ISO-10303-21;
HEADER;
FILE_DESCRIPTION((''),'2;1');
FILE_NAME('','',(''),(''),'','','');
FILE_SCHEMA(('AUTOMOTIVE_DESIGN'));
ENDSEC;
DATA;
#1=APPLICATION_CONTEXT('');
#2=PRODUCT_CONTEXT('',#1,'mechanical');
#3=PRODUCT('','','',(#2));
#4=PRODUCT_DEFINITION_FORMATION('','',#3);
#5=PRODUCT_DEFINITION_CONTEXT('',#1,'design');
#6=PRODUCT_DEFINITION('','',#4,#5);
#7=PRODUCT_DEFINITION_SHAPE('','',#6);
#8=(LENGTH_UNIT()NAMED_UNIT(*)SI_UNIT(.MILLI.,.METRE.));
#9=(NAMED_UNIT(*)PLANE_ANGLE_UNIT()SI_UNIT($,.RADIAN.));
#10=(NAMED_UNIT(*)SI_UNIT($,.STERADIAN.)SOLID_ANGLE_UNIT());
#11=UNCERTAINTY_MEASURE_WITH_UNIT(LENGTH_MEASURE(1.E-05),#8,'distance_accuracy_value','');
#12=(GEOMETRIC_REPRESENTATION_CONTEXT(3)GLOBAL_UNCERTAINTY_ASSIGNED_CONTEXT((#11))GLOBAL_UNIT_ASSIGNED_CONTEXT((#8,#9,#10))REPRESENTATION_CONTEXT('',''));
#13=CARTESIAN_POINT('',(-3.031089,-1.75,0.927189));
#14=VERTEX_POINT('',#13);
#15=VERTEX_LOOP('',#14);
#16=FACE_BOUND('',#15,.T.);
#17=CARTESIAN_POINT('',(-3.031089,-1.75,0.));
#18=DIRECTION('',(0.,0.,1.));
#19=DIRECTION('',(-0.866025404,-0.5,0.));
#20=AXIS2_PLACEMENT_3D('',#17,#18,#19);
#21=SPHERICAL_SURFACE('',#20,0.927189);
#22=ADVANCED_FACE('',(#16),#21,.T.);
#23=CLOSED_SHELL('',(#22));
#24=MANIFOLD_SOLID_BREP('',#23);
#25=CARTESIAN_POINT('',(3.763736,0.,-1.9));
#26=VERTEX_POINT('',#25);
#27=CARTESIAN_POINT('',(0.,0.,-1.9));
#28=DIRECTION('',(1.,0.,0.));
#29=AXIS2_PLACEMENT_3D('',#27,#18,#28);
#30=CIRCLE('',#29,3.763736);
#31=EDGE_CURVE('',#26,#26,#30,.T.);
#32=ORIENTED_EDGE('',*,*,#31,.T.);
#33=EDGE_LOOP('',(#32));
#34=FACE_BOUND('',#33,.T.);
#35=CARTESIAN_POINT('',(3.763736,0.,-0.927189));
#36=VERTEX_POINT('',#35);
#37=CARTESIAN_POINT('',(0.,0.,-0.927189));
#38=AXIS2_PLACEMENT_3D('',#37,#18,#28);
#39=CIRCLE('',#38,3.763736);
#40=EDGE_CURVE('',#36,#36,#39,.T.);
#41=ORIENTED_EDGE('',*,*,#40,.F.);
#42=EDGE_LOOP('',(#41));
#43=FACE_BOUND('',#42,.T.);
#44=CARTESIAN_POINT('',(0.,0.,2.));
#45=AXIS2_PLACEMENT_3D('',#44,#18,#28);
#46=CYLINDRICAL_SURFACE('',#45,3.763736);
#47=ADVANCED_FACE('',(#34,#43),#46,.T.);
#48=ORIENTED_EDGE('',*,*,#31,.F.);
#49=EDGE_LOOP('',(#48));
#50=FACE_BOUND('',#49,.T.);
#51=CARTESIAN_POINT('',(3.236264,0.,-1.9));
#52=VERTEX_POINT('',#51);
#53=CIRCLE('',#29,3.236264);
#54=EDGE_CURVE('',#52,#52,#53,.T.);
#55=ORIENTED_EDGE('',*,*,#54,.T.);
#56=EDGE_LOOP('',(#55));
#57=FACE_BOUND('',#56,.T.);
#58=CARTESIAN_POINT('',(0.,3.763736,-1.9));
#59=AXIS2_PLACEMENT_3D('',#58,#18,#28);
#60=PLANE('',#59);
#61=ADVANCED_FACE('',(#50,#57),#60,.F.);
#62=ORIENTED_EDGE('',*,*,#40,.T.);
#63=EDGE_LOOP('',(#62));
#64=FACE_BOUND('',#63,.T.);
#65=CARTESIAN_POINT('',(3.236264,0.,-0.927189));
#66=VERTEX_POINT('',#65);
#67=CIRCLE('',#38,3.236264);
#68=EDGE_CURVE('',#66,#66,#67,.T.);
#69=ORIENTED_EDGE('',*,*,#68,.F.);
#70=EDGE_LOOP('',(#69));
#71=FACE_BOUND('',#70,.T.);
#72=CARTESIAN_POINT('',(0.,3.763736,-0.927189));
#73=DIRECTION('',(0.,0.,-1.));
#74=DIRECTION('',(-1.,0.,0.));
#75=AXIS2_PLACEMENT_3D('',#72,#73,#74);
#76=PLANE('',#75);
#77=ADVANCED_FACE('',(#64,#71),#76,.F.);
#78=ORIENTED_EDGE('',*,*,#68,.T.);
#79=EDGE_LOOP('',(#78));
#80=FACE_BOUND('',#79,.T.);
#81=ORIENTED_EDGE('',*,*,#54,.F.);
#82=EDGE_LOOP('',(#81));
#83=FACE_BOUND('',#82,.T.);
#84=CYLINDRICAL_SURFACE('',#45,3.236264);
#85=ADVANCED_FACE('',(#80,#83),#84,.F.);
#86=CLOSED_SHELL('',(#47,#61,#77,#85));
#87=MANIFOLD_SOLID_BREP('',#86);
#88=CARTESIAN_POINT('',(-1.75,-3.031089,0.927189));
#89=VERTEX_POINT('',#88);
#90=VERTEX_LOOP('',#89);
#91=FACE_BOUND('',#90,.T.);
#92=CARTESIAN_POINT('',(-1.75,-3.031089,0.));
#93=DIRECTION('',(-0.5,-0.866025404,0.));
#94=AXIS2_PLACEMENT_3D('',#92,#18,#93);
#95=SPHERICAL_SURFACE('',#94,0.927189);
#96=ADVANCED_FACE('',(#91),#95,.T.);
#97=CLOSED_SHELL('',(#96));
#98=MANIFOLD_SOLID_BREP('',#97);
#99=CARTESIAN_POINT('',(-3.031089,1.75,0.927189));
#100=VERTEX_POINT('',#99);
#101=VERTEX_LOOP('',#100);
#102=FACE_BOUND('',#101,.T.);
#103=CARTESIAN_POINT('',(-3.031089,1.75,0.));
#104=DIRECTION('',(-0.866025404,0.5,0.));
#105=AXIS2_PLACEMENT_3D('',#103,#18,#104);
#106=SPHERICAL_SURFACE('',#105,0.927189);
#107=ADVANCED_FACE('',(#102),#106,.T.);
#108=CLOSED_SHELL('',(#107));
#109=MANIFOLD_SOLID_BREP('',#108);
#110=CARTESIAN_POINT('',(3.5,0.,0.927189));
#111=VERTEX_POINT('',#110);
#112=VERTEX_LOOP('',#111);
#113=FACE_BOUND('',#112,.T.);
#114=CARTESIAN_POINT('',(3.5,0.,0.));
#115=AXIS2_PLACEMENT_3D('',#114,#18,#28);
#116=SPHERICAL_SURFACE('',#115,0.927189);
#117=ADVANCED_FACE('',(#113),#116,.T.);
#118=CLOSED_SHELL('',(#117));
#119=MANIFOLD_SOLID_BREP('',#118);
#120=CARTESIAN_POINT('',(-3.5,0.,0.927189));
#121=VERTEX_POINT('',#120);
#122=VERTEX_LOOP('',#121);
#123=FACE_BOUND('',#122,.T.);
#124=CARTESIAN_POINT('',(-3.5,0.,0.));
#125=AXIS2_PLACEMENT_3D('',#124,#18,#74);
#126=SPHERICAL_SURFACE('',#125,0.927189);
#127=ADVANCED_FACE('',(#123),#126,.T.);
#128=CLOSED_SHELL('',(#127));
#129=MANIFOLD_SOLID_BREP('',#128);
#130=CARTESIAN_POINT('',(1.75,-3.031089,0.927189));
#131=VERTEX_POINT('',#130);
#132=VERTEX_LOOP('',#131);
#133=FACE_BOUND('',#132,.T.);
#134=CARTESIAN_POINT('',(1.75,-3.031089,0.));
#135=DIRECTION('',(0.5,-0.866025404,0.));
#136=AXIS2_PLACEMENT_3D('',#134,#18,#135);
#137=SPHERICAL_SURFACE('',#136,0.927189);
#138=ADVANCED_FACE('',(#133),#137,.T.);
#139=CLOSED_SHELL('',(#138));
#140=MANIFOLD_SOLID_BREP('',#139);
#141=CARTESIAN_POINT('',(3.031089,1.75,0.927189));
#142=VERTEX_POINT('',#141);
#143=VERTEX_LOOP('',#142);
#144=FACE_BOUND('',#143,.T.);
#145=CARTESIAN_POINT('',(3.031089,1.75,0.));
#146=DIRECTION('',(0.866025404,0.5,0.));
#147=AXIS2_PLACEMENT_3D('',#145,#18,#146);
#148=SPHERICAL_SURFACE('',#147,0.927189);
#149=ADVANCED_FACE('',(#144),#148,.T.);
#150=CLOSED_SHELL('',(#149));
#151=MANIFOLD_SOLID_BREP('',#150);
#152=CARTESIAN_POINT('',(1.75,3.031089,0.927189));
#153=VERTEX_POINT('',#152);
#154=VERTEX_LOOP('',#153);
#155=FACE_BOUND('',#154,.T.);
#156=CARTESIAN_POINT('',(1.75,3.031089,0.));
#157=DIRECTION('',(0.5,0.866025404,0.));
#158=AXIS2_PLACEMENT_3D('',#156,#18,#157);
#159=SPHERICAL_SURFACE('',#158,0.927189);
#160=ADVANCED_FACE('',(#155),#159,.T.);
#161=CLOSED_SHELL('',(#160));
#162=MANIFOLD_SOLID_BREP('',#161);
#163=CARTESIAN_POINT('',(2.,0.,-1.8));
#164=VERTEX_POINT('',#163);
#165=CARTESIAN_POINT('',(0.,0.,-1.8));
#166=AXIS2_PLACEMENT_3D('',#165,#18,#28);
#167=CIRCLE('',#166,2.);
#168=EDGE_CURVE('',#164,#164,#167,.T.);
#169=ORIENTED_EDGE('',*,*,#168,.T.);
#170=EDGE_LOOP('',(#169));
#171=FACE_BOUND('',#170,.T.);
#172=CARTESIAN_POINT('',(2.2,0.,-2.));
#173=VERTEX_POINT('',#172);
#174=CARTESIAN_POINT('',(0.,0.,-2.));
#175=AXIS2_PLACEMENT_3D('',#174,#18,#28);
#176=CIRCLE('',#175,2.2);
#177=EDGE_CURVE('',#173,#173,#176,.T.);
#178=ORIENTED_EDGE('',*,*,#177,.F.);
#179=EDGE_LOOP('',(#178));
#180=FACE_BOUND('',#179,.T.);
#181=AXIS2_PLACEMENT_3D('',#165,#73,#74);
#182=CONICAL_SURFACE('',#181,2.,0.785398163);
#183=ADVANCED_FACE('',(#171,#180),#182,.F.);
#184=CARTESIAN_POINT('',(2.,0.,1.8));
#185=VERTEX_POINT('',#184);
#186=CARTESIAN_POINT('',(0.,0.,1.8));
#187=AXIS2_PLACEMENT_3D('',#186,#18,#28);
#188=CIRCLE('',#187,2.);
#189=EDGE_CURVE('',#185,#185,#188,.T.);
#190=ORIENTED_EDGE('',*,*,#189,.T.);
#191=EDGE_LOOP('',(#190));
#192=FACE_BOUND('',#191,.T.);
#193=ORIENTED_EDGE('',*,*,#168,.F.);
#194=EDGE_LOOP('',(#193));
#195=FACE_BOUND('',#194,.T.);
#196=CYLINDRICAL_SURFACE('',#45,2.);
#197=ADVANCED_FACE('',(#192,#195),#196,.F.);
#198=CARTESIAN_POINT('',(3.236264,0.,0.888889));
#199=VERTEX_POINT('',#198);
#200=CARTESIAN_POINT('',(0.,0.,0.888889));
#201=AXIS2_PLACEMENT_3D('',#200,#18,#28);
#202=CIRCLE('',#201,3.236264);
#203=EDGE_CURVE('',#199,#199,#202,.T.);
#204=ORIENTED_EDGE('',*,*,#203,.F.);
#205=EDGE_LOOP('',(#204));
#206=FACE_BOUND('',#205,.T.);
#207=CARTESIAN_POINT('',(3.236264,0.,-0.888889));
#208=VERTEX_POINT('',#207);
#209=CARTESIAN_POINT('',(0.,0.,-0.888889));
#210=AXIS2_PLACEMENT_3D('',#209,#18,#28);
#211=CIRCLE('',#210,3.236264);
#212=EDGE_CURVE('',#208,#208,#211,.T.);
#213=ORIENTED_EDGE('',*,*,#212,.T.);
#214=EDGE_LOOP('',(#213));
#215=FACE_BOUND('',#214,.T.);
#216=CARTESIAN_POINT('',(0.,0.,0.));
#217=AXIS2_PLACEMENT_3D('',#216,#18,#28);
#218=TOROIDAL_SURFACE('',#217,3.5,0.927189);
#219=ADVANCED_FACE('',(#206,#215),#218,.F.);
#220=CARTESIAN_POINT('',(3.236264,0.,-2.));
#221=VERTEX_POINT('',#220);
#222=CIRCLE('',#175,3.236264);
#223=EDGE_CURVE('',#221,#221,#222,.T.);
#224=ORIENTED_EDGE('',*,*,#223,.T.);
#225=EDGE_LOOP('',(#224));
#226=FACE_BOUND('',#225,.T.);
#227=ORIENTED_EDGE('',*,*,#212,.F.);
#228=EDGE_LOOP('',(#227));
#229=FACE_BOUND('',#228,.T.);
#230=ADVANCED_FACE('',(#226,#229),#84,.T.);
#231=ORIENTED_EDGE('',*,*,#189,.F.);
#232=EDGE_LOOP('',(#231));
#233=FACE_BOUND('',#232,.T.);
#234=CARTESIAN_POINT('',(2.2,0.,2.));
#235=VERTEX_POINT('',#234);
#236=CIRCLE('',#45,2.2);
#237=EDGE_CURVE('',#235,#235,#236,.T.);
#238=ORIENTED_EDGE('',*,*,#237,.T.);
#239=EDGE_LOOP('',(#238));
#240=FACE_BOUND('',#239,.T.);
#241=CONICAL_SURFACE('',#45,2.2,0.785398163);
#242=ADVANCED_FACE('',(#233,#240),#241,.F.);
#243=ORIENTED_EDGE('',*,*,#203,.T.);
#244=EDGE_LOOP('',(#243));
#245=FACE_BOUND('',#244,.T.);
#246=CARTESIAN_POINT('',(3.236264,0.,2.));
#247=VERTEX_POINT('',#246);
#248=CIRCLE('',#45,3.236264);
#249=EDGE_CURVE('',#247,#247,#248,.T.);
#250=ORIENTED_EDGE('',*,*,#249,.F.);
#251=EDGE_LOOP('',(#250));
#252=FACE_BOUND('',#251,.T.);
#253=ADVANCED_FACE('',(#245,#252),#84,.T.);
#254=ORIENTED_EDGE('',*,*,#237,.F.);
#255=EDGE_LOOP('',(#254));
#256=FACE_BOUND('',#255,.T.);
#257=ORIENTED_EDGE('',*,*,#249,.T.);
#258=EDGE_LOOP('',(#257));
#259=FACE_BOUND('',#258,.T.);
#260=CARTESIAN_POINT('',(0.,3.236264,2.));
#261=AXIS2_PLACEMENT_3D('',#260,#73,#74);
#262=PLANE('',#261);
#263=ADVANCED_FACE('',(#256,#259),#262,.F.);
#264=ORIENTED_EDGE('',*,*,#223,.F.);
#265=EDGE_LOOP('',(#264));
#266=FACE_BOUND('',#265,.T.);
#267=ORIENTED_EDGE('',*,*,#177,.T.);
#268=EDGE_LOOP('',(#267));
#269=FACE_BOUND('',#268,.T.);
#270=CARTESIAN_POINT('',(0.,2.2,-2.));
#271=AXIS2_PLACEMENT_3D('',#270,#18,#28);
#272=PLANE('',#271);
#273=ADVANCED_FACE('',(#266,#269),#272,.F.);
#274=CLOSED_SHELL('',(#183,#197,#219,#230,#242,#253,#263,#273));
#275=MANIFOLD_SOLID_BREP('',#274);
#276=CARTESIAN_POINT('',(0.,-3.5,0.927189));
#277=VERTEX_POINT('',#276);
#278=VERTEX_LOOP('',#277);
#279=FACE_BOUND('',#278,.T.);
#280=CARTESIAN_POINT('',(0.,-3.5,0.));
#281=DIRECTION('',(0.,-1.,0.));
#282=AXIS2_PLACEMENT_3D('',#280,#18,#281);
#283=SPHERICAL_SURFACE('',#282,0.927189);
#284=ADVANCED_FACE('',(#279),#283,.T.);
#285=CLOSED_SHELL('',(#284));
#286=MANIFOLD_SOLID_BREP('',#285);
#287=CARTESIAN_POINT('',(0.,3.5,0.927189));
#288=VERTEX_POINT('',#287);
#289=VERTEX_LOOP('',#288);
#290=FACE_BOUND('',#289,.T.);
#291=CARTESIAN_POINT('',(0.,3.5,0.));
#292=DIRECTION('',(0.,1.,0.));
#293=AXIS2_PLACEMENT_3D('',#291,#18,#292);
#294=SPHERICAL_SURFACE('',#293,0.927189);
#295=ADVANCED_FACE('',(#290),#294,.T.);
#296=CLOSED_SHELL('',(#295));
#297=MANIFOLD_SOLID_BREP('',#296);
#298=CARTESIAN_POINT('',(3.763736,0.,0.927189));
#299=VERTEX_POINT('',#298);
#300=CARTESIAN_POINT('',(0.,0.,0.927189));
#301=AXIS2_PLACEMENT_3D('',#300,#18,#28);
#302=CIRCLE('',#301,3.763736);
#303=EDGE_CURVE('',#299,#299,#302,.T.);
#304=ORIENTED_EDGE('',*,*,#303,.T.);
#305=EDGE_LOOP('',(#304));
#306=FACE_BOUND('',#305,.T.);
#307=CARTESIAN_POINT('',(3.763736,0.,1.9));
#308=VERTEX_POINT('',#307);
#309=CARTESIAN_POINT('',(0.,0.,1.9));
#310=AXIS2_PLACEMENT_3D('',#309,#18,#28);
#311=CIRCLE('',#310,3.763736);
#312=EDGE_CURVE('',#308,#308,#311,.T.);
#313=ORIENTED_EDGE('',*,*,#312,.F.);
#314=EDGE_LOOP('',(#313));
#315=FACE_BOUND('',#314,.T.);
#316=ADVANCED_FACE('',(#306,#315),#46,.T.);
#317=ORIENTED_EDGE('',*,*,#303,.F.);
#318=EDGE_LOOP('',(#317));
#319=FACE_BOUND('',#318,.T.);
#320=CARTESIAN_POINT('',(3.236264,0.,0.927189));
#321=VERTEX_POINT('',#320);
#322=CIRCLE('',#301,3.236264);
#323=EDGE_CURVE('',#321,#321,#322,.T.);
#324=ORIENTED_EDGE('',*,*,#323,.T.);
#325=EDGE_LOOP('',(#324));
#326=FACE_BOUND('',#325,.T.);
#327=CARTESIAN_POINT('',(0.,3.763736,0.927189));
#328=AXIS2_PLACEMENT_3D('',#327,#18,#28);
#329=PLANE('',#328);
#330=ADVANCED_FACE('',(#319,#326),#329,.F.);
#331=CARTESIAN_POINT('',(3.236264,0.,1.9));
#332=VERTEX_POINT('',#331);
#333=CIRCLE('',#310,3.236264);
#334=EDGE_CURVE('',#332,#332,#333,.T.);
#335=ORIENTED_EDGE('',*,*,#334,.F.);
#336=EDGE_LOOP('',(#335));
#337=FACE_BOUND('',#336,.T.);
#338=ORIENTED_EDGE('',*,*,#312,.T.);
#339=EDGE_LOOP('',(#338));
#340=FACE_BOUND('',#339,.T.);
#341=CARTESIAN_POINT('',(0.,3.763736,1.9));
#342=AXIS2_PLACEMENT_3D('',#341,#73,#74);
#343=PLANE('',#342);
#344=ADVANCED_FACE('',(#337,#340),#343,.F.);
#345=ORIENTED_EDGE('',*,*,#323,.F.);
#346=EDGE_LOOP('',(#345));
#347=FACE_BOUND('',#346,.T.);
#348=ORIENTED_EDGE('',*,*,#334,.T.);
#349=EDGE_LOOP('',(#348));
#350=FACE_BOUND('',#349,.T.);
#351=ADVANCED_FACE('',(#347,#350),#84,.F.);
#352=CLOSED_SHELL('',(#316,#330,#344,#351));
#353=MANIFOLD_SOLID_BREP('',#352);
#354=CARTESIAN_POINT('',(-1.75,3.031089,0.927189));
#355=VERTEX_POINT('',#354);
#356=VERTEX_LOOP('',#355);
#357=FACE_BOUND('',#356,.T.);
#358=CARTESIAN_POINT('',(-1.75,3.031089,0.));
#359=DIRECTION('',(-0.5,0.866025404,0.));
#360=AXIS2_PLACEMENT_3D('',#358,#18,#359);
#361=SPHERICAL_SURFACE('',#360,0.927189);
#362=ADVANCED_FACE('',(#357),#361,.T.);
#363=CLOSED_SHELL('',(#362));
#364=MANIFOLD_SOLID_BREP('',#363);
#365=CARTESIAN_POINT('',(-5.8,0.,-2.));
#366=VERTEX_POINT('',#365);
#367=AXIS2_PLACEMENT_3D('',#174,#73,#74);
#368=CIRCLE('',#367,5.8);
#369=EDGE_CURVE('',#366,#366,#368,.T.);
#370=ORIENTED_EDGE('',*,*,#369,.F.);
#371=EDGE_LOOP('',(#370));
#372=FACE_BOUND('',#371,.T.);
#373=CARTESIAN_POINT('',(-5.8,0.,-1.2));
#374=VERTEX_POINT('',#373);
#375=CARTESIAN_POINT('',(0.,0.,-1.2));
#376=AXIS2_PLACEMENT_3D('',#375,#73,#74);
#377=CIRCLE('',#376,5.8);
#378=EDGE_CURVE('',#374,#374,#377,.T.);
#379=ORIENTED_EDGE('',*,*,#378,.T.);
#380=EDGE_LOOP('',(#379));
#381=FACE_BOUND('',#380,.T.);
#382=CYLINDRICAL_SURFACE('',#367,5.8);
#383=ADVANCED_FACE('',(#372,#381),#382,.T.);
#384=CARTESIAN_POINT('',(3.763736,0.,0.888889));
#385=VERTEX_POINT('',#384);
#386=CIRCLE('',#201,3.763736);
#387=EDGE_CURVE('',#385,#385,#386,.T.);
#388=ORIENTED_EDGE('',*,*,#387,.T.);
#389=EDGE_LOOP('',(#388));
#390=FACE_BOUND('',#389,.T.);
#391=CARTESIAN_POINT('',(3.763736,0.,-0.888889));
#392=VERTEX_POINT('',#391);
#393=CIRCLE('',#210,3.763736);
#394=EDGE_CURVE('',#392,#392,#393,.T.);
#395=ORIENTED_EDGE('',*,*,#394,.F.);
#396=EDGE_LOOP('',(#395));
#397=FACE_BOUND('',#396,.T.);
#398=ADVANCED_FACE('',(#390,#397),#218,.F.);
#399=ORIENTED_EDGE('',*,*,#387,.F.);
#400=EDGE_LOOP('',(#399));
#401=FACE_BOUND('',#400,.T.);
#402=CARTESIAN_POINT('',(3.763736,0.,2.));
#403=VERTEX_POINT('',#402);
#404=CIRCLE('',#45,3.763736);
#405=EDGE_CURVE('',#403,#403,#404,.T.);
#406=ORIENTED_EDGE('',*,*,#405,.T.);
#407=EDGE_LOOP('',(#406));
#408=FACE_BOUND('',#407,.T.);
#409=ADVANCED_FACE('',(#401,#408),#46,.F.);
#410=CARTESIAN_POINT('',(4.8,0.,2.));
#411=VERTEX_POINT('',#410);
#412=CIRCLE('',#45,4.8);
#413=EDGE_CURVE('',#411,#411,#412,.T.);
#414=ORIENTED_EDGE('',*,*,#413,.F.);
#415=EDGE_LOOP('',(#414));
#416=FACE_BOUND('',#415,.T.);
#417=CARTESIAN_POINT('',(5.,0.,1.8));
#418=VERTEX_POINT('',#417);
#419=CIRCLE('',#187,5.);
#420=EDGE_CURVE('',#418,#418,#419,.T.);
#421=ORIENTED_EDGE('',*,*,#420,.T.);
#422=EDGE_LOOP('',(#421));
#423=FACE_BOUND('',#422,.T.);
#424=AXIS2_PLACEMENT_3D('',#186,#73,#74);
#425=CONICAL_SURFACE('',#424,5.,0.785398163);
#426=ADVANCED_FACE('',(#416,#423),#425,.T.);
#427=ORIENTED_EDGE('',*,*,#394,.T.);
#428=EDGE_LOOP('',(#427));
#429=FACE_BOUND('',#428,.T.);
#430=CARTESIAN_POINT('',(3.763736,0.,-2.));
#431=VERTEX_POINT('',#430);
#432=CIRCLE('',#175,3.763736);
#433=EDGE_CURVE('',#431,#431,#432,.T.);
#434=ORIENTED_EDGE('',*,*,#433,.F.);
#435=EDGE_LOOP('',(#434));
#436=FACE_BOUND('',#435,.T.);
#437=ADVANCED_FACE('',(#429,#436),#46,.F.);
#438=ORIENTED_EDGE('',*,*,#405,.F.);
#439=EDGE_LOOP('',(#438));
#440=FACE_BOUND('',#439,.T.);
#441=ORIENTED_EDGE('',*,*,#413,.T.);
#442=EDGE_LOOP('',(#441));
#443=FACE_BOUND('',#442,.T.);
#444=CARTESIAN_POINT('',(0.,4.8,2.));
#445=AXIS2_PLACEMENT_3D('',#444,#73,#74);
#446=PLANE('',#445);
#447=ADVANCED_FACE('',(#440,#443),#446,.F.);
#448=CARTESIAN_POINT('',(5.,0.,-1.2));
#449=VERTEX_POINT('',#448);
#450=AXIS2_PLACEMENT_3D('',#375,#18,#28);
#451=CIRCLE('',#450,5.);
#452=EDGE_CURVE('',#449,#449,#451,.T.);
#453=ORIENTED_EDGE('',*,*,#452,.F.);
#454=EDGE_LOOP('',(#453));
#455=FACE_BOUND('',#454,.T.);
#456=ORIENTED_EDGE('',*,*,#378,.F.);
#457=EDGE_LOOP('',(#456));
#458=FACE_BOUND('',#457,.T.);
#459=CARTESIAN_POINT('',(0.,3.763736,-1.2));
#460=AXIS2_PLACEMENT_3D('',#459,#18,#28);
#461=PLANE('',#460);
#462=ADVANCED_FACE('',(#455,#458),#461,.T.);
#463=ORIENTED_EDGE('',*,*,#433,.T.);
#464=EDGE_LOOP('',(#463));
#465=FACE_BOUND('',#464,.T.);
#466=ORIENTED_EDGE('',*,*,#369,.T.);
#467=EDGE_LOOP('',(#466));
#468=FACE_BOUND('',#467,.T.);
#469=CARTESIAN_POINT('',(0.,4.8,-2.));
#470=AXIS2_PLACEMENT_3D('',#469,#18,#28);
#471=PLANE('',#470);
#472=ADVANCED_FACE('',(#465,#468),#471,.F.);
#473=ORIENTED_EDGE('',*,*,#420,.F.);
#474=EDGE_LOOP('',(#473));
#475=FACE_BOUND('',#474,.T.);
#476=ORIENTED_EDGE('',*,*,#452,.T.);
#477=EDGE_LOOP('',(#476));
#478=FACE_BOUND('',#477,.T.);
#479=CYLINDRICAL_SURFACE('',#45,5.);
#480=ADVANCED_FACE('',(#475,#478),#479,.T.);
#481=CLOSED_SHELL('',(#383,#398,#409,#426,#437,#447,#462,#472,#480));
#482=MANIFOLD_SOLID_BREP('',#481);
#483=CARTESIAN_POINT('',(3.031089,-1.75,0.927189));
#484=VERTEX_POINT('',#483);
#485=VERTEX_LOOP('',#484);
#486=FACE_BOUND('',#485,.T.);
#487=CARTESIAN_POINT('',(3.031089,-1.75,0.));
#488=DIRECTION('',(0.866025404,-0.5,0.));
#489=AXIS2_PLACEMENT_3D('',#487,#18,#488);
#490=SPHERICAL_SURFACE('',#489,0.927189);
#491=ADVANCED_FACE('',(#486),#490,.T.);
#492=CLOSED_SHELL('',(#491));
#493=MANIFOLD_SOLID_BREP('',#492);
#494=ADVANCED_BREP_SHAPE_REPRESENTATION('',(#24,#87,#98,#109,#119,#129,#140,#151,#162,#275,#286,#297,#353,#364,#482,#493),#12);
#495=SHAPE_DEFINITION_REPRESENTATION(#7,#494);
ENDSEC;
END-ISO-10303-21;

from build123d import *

# Parameters (mm, degrees)
CIRPATTERN1_COUNT = 12
SKETCH5_W         = 0.972810551
SKETCH5_H         = 0.527472528
SKETCH6_W         = 0.8
SKETCH6_H         = 2.036263736


with BuildPart() as part:
    # Sketch1 → Revolve1 (revolve)
    with BuildSketch(Plane(origin=(0, 0, 0), x_dir=(0, 0, -1), z_dir=(1, 0, 0))):
        with BuildLine():
            Line((1.8, 5), (-1.8, 5))
            Line((-1.8, 5), (-2, 4.8))
            Line((-2, 4.8), (-2, 3.763736264))
            Line((-2, 3.763736264), (-0.888888889, 3.763736264))
            ThreePointArc((-0.888888889, 3.763736264), (0, 4.427189449), (0.888888889, 3.763736264))
            Line((0.888888889, 3.763736264), (2, 3.763736264))
            Line((2, 3.763736264), (2, 4.8))
            Line((2, 4.8), (1.8, 5))
        make_face()
    revolve(axis=Axis((0, 0, 2), (0, 0, -1)))

    # Sketch6 → Revolve6 (revolve)
    with BuildSketch(Plane(origin=(0, 0, 0), x_dir=(0, 0, -1), z_dir=(1, 0, 0))):
        with Locations((1.6, 4.781868132)):
            Rectangle(SKETCH6_W, SKETCH6_H)
    revolve(axis=Axis((0, 0, -2), (0, 0, 1)))


with BuildPart() as body_2:
    # Sketch3 → Revolve3 (revolve)
    with BuildSketch(Plane(origin=(0, 0, 0), x_dir=(0, 0, -1), z_dir=(1, 0, 0))):
        with BuildLine():
            Line((-2, 3.236263736), (-0.888888889, 3.236263736))
            ThreePointArc((-0.888888889, 3.236263736), (0, 2.572810551), (0.888888889, 3.236263736))
            Line((0.888888889, 3.236263736), (2, 3.236263736))
            Line((2, 3.236263736), (2, 2.2))
            Line((2, 2.2), (1.8, 2))
            Line((1.8, 2), (-1.8, 2))
            Line((-1.8, 2), (-2, 2.2))
            Line((-2, 2.2), (-2, 3.236263736))
        make_face()
    revolve(axis=Axis((0, 0, 2), (0, 0, -1)))


with BuildPart() as body_3:
    # Sketch4 → Revolve4 (revolve)
    with BuildSketch(Plane(origin=(0, 0, 0), x_dir=(0, 0, -1), z_dir=(1, 0, 0))):
        with BuildLine():
            Line((-0.927189449, 3.5), (0.927189449, 3.5))
            ThreePointArc((0.927189449, 3.5), (0, 4.427189449), (-0.927189449, 3.5))
        make_face()
    revolve(axis=Axis((0, 3.5, 0.927189449), (0, 0, -1)))


with BuildPart() as cirpattern1_1:
    # CirPattern1: pattern copy
    add(body_3.part.rotate(Axis((0, 0, 0), (0, 0, 1)), 1 * 360 / CIRPATTERN1_COUNT))


with BuildPart() as cirpattern1_2:
    # CirPattern1: pattern copy
    add(body_3.part.rotate(Axis((0, 0, 0), (0, 0, 1)), 2 * 360 / CIRPATTERN1_COUNT))


with BuildPart() as cirpattern1_3:
    # CirPattern1: pattern copy
    add(body_3.part.rotate(Axis((0, 0, 0), (0, 0, 1)), 3 * 360 / CIRPATTERN1_COUNT))


with BuildPart() as cirpattern1_4:
    # CirPattern1: pattern copy
    add(body_3.part.rotate(Axis((0, 0, 0), (0, 0, 1)), 4 * 360 / CIRPATTERN1_COUNT))


with BuildPart() as cirpattern1_5:
    # CirPattern1: pattern copy
    add(body_3.part.rotate(Axis((0, 0, 0), (0, 0, 1)), 5 * 360 / CIRPATTERN1_COUNT))


with BuildPart() as cirpattern1_6:
    # CirPattern1: pattern copy
    add(body_3.part.rotate(Axis((0, 0, 0), (0, 0, 1)), 6 * 360 / CIRPATTERN1_COUNT))


with BuildPart() as cirpattern1_7:
    # CirPattern1: pattern copy
    add(body_3.part.rotate(Axis((0, 0, 0), (0, 0, 1)), 7 * 360 / CIRPATTERN1_COUNT))


with BuildPart() as cirpattern1_8:
    # CirPattern1: pattern copy
    add(body_3.part.rotate(Axis((0, 0, 0), (0, 0, 1)), 8 * 360 / CIRPATTERN1_COUNT))


with BuildPart() as cirpattern1_9:
    # CirPattern1: pattern copy
    add(body_3.part.rotate(Axis((0, 0, 0), (0, 0, 1)), 9 * 360 / CIRPATTERN1_COUNT))


with BuildPart() as cirpattern1_10:
    # CirPattern1: pattern copy
    add(body_3.part.rotate(Axis((0, 0, 0), (0, 0, 1)), 10 * 360 / CIRPATTERN1_COUNT))


with BuildPart() as cirpattern1_11:
    # CirPattern1: pattern copy
    add(body_3.part.rotate(Axis((0, 0, 0), (0, 0, 1)), 11 * 360 / CIRPATTERN1_COUNT))


with BuildPart() as body_15:
    # Sketch5 → Revolve5 (revolve)
    with BuildSketch(Plane(origin=(0, 0, 0), x_dir=(0, 0, -1), z_dir=(1, 0, 0))):
        with Locations((-1.413594725, 3.5)):
            Rectangle(SKETCH5_W, SKETCH5_H)
        with Locations((1.413594725, 3.5)):
            Rectangle(SKETCH5_W, SKETCH5_H)
    revolve(axis=Axis((0, 0, 2), (0, 0, -1)))


solid = Compound([part.part, body_2.part, body_3.part, cirpattern1_1.part, cirpattern1_2.part, cirpattern1_3.part, cirpattern1_4.part, cirpattern1_5.part, cirpattern1_6.part, cirpattern1_7.part, cirpattern1_8.part, cirpattern1_9.part, cirpattern1_10.part, cirpattern1_11.part, body_15.part])
